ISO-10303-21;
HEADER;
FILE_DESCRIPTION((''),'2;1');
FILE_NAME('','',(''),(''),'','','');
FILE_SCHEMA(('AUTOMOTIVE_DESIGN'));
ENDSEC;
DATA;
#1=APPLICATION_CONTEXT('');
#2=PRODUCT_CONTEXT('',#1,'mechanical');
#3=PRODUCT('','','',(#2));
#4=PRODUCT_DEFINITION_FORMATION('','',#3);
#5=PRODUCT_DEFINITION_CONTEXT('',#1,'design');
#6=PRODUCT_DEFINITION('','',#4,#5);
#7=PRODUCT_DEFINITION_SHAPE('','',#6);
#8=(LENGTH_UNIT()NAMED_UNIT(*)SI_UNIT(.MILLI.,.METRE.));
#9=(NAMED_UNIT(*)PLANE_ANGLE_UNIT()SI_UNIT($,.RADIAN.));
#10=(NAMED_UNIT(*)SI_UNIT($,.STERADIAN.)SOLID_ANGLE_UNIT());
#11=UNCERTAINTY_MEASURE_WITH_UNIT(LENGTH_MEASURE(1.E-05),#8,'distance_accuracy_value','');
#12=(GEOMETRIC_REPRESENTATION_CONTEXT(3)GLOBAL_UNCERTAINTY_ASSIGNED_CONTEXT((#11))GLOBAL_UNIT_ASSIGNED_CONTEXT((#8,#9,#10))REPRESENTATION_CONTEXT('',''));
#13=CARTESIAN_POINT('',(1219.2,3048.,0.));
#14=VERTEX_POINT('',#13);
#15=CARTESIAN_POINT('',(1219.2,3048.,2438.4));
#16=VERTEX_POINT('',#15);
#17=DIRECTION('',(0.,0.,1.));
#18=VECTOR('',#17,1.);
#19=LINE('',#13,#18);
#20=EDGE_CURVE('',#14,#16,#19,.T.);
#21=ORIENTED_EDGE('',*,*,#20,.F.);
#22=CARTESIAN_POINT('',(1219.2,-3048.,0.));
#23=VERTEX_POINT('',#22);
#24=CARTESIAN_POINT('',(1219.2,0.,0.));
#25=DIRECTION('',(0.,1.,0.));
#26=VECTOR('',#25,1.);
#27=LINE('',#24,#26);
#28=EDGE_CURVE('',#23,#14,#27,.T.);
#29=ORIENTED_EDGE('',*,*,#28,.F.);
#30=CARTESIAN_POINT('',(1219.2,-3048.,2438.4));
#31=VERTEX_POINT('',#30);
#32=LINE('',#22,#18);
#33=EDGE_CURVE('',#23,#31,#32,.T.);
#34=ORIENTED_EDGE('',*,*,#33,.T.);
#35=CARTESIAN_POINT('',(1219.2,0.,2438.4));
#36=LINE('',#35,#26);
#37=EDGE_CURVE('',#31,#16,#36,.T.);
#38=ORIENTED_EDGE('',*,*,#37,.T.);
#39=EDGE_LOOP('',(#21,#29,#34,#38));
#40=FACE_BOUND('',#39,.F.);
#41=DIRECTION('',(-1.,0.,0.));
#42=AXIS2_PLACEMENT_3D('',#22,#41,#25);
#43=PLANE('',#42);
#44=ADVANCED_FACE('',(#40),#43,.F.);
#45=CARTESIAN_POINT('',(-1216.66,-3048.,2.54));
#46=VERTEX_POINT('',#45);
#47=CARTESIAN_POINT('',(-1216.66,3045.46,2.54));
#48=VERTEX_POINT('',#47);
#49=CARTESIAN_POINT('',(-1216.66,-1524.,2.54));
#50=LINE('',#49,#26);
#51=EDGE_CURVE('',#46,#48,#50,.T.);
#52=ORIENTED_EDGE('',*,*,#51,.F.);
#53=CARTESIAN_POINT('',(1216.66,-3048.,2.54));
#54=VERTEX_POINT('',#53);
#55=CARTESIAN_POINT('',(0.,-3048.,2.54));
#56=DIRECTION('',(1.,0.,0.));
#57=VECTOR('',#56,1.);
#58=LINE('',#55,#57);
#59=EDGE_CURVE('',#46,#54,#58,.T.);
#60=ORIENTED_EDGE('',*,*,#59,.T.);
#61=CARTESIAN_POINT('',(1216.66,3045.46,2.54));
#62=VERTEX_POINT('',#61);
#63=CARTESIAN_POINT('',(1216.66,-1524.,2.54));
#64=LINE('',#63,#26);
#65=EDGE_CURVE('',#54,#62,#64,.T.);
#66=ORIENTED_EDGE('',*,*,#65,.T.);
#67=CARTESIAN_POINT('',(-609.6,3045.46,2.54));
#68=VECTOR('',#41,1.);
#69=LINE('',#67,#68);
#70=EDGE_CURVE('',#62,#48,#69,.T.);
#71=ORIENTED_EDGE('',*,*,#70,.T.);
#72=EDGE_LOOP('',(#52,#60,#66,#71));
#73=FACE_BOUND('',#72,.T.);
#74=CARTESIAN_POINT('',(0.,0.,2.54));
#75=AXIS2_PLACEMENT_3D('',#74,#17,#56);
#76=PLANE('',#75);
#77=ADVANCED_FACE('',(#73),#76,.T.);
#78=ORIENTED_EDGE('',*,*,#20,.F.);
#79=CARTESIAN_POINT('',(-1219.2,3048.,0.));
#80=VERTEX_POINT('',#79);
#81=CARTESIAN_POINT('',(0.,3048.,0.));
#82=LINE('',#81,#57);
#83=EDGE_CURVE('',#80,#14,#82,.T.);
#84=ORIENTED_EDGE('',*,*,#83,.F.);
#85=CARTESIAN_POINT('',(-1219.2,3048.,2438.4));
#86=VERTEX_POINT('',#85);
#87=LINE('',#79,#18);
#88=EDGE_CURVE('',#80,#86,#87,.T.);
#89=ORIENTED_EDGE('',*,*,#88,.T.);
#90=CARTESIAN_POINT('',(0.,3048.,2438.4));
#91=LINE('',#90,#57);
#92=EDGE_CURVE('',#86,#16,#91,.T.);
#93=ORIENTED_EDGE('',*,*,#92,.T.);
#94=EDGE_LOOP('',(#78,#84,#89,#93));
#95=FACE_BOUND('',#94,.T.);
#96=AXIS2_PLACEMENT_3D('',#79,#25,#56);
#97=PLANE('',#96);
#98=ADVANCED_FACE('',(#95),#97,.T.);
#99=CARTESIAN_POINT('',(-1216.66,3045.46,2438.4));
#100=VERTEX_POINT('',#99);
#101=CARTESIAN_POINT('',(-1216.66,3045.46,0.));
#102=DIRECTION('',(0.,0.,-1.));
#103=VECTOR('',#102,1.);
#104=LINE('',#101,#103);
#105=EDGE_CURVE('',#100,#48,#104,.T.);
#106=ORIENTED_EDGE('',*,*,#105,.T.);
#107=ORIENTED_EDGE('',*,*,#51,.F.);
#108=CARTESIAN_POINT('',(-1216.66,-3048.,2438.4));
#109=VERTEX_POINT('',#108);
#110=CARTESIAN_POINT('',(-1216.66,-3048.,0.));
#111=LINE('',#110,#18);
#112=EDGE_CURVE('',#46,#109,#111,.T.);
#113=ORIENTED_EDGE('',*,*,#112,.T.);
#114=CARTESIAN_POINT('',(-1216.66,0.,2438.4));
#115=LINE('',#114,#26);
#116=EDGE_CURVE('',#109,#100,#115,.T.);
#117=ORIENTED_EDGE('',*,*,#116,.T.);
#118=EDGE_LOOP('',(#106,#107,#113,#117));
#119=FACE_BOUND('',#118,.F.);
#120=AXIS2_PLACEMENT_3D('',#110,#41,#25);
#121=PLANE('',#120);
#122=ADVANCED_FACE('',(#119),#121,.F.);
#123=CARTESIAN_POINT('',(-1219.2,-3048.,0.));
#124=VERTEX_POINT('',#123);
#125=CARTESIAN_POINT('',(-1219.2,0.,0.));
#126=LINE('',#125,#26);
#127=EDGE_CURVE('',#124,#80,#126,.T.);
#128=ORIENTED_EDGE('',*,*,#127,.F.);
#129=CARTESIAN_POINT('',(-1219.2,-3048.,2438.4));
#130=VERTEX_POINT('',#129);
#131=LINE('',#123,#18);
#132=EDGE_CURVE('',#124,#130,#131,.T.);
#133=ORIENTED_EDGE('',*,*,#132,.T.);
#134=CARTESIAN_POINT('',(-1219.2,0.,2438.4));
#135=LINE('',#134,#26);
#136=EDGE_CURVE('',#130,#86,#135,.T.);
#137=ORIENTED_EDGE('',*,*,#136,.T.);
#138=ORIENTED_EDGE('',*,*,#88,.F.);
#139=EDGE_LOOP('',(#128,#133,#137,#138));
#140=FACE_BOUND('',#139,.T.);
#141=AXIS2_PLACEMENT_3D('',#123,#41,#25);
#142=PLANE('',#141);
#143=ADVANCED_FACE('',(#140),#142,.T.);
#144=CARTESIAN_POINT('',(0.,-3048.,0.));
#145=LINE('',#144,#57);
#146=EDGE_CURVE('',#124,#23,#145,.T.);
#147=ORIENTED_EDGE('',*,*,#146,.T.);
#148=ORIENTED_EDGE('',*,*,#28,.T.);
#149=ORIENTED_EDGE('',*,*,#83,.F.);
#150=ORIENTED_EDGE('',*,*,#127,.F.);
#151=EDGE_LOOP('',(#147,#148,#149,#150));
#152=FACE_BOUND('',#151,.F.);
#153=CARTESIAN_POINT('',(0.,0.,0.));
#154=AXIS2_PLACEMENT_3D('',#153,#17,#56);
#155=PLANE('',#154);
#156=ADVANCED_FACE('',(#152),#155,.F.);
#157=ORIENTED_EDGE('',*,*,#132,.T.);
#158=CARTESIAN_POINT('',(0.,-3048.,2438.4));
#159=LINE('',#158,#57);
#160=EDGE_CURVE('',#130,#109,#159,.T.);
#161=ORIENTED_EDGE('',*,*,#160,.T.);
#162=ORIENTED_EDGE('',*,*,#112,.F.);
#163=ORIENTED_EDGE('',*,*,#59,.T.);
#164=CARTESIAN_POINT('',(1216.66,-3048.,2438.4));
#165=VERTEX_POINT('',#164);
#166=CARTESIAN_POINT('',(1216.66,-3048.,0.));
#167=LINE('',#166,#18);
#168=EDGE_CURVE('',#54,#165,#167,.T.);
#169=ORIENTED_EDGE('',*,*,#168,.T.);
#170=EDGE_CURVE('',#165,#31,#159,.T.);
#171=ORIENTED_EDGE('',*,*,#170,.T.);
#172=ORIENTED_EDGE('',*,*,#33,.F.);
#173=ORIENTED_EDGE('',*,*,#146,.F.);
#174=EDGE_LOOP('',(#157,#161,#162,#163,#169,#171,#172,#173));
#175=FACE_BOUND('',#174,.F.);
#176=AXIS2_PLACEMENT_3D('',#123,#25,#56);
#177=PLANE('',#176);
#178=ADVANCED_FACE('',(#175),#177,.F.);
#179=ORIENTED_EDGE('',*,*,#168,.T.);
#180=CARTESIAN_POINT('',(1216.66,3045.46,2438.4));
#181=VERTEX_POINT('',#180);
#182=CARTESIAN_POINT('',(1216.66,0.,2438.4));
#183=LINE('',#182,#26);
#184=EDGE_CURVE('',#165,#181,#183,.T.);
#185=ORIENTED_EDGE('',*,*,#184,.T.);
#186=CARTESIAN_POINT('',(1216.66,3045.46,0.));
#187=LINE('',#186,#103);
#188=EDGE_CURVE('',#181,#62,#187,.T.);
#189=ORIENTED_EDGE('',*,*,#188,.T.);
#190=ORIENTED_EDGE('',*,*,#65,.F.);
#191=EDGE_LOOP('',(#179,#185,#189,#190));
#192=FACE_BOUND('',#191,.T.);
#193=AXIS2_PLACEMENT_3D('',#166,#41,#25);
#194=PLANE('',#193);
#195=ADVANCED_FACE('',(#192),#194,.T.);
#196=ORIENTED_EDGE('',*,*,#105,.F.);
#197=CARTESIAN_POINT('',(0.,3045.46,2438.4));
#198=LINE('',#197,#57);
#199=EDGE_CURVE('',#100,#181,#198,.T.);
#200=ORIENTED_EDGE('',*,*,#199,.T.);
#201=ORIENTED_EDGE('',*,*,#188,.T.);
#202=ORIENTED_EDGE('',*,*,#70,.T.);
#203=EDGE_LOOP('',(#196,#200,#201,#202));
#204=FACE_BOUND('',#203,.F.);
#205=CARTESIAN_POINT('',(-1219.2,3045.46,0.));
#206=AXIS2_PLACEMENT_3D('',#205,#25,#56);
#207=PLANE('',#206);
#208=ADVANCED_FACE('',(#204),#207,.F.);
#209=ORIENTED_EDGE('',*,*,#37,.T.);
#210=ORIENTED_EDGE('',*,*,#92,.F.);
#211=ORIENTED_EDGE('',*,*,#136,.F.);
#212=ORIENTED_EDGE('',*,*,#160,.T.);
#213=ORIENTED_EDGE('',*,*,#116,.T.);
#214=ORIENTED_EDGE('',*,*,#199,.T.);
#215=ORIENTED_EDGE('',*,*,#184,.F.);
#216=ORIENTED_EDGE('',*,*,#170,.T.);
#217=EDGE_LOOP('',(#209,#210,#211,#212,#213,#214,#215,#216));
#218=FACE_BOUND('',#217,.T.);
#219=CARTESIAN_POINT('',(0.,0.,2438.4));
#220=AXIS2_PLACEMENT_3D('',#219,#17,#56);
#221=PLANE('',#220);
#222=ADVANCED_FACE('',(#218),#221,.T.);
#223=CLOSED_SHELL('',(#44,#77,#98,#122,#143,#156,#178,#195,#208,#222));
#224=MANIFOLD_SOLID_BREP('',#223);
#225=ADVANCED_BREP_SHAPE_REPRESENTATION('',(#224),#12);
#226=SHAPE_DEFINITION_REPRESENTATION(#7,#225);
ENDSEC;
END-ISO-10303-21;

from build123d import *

# Parameters (mm, degrees)
F0_W     = 2438.4
F0_H     = 6096
F1_DEPTH = 2438.4
F2_T     = -2.54


with BuildPart() as f1:
    # F0 (on Top) → F1 (new body)
    with BuildSketch(Plane.XY):
        Rectangle(F0_W, F0_H)
    extrude(amount=F1_DEPTH)

    # F2
    f2_openings = [f1.faces().sort_by_distance(p)[0] for p in [
        (0, 0, 2438.4),
        (0, -3048, 1219.2),
    ]]
    offset(amount=F2_T, openings=f2_openings)


solid = f1.part
